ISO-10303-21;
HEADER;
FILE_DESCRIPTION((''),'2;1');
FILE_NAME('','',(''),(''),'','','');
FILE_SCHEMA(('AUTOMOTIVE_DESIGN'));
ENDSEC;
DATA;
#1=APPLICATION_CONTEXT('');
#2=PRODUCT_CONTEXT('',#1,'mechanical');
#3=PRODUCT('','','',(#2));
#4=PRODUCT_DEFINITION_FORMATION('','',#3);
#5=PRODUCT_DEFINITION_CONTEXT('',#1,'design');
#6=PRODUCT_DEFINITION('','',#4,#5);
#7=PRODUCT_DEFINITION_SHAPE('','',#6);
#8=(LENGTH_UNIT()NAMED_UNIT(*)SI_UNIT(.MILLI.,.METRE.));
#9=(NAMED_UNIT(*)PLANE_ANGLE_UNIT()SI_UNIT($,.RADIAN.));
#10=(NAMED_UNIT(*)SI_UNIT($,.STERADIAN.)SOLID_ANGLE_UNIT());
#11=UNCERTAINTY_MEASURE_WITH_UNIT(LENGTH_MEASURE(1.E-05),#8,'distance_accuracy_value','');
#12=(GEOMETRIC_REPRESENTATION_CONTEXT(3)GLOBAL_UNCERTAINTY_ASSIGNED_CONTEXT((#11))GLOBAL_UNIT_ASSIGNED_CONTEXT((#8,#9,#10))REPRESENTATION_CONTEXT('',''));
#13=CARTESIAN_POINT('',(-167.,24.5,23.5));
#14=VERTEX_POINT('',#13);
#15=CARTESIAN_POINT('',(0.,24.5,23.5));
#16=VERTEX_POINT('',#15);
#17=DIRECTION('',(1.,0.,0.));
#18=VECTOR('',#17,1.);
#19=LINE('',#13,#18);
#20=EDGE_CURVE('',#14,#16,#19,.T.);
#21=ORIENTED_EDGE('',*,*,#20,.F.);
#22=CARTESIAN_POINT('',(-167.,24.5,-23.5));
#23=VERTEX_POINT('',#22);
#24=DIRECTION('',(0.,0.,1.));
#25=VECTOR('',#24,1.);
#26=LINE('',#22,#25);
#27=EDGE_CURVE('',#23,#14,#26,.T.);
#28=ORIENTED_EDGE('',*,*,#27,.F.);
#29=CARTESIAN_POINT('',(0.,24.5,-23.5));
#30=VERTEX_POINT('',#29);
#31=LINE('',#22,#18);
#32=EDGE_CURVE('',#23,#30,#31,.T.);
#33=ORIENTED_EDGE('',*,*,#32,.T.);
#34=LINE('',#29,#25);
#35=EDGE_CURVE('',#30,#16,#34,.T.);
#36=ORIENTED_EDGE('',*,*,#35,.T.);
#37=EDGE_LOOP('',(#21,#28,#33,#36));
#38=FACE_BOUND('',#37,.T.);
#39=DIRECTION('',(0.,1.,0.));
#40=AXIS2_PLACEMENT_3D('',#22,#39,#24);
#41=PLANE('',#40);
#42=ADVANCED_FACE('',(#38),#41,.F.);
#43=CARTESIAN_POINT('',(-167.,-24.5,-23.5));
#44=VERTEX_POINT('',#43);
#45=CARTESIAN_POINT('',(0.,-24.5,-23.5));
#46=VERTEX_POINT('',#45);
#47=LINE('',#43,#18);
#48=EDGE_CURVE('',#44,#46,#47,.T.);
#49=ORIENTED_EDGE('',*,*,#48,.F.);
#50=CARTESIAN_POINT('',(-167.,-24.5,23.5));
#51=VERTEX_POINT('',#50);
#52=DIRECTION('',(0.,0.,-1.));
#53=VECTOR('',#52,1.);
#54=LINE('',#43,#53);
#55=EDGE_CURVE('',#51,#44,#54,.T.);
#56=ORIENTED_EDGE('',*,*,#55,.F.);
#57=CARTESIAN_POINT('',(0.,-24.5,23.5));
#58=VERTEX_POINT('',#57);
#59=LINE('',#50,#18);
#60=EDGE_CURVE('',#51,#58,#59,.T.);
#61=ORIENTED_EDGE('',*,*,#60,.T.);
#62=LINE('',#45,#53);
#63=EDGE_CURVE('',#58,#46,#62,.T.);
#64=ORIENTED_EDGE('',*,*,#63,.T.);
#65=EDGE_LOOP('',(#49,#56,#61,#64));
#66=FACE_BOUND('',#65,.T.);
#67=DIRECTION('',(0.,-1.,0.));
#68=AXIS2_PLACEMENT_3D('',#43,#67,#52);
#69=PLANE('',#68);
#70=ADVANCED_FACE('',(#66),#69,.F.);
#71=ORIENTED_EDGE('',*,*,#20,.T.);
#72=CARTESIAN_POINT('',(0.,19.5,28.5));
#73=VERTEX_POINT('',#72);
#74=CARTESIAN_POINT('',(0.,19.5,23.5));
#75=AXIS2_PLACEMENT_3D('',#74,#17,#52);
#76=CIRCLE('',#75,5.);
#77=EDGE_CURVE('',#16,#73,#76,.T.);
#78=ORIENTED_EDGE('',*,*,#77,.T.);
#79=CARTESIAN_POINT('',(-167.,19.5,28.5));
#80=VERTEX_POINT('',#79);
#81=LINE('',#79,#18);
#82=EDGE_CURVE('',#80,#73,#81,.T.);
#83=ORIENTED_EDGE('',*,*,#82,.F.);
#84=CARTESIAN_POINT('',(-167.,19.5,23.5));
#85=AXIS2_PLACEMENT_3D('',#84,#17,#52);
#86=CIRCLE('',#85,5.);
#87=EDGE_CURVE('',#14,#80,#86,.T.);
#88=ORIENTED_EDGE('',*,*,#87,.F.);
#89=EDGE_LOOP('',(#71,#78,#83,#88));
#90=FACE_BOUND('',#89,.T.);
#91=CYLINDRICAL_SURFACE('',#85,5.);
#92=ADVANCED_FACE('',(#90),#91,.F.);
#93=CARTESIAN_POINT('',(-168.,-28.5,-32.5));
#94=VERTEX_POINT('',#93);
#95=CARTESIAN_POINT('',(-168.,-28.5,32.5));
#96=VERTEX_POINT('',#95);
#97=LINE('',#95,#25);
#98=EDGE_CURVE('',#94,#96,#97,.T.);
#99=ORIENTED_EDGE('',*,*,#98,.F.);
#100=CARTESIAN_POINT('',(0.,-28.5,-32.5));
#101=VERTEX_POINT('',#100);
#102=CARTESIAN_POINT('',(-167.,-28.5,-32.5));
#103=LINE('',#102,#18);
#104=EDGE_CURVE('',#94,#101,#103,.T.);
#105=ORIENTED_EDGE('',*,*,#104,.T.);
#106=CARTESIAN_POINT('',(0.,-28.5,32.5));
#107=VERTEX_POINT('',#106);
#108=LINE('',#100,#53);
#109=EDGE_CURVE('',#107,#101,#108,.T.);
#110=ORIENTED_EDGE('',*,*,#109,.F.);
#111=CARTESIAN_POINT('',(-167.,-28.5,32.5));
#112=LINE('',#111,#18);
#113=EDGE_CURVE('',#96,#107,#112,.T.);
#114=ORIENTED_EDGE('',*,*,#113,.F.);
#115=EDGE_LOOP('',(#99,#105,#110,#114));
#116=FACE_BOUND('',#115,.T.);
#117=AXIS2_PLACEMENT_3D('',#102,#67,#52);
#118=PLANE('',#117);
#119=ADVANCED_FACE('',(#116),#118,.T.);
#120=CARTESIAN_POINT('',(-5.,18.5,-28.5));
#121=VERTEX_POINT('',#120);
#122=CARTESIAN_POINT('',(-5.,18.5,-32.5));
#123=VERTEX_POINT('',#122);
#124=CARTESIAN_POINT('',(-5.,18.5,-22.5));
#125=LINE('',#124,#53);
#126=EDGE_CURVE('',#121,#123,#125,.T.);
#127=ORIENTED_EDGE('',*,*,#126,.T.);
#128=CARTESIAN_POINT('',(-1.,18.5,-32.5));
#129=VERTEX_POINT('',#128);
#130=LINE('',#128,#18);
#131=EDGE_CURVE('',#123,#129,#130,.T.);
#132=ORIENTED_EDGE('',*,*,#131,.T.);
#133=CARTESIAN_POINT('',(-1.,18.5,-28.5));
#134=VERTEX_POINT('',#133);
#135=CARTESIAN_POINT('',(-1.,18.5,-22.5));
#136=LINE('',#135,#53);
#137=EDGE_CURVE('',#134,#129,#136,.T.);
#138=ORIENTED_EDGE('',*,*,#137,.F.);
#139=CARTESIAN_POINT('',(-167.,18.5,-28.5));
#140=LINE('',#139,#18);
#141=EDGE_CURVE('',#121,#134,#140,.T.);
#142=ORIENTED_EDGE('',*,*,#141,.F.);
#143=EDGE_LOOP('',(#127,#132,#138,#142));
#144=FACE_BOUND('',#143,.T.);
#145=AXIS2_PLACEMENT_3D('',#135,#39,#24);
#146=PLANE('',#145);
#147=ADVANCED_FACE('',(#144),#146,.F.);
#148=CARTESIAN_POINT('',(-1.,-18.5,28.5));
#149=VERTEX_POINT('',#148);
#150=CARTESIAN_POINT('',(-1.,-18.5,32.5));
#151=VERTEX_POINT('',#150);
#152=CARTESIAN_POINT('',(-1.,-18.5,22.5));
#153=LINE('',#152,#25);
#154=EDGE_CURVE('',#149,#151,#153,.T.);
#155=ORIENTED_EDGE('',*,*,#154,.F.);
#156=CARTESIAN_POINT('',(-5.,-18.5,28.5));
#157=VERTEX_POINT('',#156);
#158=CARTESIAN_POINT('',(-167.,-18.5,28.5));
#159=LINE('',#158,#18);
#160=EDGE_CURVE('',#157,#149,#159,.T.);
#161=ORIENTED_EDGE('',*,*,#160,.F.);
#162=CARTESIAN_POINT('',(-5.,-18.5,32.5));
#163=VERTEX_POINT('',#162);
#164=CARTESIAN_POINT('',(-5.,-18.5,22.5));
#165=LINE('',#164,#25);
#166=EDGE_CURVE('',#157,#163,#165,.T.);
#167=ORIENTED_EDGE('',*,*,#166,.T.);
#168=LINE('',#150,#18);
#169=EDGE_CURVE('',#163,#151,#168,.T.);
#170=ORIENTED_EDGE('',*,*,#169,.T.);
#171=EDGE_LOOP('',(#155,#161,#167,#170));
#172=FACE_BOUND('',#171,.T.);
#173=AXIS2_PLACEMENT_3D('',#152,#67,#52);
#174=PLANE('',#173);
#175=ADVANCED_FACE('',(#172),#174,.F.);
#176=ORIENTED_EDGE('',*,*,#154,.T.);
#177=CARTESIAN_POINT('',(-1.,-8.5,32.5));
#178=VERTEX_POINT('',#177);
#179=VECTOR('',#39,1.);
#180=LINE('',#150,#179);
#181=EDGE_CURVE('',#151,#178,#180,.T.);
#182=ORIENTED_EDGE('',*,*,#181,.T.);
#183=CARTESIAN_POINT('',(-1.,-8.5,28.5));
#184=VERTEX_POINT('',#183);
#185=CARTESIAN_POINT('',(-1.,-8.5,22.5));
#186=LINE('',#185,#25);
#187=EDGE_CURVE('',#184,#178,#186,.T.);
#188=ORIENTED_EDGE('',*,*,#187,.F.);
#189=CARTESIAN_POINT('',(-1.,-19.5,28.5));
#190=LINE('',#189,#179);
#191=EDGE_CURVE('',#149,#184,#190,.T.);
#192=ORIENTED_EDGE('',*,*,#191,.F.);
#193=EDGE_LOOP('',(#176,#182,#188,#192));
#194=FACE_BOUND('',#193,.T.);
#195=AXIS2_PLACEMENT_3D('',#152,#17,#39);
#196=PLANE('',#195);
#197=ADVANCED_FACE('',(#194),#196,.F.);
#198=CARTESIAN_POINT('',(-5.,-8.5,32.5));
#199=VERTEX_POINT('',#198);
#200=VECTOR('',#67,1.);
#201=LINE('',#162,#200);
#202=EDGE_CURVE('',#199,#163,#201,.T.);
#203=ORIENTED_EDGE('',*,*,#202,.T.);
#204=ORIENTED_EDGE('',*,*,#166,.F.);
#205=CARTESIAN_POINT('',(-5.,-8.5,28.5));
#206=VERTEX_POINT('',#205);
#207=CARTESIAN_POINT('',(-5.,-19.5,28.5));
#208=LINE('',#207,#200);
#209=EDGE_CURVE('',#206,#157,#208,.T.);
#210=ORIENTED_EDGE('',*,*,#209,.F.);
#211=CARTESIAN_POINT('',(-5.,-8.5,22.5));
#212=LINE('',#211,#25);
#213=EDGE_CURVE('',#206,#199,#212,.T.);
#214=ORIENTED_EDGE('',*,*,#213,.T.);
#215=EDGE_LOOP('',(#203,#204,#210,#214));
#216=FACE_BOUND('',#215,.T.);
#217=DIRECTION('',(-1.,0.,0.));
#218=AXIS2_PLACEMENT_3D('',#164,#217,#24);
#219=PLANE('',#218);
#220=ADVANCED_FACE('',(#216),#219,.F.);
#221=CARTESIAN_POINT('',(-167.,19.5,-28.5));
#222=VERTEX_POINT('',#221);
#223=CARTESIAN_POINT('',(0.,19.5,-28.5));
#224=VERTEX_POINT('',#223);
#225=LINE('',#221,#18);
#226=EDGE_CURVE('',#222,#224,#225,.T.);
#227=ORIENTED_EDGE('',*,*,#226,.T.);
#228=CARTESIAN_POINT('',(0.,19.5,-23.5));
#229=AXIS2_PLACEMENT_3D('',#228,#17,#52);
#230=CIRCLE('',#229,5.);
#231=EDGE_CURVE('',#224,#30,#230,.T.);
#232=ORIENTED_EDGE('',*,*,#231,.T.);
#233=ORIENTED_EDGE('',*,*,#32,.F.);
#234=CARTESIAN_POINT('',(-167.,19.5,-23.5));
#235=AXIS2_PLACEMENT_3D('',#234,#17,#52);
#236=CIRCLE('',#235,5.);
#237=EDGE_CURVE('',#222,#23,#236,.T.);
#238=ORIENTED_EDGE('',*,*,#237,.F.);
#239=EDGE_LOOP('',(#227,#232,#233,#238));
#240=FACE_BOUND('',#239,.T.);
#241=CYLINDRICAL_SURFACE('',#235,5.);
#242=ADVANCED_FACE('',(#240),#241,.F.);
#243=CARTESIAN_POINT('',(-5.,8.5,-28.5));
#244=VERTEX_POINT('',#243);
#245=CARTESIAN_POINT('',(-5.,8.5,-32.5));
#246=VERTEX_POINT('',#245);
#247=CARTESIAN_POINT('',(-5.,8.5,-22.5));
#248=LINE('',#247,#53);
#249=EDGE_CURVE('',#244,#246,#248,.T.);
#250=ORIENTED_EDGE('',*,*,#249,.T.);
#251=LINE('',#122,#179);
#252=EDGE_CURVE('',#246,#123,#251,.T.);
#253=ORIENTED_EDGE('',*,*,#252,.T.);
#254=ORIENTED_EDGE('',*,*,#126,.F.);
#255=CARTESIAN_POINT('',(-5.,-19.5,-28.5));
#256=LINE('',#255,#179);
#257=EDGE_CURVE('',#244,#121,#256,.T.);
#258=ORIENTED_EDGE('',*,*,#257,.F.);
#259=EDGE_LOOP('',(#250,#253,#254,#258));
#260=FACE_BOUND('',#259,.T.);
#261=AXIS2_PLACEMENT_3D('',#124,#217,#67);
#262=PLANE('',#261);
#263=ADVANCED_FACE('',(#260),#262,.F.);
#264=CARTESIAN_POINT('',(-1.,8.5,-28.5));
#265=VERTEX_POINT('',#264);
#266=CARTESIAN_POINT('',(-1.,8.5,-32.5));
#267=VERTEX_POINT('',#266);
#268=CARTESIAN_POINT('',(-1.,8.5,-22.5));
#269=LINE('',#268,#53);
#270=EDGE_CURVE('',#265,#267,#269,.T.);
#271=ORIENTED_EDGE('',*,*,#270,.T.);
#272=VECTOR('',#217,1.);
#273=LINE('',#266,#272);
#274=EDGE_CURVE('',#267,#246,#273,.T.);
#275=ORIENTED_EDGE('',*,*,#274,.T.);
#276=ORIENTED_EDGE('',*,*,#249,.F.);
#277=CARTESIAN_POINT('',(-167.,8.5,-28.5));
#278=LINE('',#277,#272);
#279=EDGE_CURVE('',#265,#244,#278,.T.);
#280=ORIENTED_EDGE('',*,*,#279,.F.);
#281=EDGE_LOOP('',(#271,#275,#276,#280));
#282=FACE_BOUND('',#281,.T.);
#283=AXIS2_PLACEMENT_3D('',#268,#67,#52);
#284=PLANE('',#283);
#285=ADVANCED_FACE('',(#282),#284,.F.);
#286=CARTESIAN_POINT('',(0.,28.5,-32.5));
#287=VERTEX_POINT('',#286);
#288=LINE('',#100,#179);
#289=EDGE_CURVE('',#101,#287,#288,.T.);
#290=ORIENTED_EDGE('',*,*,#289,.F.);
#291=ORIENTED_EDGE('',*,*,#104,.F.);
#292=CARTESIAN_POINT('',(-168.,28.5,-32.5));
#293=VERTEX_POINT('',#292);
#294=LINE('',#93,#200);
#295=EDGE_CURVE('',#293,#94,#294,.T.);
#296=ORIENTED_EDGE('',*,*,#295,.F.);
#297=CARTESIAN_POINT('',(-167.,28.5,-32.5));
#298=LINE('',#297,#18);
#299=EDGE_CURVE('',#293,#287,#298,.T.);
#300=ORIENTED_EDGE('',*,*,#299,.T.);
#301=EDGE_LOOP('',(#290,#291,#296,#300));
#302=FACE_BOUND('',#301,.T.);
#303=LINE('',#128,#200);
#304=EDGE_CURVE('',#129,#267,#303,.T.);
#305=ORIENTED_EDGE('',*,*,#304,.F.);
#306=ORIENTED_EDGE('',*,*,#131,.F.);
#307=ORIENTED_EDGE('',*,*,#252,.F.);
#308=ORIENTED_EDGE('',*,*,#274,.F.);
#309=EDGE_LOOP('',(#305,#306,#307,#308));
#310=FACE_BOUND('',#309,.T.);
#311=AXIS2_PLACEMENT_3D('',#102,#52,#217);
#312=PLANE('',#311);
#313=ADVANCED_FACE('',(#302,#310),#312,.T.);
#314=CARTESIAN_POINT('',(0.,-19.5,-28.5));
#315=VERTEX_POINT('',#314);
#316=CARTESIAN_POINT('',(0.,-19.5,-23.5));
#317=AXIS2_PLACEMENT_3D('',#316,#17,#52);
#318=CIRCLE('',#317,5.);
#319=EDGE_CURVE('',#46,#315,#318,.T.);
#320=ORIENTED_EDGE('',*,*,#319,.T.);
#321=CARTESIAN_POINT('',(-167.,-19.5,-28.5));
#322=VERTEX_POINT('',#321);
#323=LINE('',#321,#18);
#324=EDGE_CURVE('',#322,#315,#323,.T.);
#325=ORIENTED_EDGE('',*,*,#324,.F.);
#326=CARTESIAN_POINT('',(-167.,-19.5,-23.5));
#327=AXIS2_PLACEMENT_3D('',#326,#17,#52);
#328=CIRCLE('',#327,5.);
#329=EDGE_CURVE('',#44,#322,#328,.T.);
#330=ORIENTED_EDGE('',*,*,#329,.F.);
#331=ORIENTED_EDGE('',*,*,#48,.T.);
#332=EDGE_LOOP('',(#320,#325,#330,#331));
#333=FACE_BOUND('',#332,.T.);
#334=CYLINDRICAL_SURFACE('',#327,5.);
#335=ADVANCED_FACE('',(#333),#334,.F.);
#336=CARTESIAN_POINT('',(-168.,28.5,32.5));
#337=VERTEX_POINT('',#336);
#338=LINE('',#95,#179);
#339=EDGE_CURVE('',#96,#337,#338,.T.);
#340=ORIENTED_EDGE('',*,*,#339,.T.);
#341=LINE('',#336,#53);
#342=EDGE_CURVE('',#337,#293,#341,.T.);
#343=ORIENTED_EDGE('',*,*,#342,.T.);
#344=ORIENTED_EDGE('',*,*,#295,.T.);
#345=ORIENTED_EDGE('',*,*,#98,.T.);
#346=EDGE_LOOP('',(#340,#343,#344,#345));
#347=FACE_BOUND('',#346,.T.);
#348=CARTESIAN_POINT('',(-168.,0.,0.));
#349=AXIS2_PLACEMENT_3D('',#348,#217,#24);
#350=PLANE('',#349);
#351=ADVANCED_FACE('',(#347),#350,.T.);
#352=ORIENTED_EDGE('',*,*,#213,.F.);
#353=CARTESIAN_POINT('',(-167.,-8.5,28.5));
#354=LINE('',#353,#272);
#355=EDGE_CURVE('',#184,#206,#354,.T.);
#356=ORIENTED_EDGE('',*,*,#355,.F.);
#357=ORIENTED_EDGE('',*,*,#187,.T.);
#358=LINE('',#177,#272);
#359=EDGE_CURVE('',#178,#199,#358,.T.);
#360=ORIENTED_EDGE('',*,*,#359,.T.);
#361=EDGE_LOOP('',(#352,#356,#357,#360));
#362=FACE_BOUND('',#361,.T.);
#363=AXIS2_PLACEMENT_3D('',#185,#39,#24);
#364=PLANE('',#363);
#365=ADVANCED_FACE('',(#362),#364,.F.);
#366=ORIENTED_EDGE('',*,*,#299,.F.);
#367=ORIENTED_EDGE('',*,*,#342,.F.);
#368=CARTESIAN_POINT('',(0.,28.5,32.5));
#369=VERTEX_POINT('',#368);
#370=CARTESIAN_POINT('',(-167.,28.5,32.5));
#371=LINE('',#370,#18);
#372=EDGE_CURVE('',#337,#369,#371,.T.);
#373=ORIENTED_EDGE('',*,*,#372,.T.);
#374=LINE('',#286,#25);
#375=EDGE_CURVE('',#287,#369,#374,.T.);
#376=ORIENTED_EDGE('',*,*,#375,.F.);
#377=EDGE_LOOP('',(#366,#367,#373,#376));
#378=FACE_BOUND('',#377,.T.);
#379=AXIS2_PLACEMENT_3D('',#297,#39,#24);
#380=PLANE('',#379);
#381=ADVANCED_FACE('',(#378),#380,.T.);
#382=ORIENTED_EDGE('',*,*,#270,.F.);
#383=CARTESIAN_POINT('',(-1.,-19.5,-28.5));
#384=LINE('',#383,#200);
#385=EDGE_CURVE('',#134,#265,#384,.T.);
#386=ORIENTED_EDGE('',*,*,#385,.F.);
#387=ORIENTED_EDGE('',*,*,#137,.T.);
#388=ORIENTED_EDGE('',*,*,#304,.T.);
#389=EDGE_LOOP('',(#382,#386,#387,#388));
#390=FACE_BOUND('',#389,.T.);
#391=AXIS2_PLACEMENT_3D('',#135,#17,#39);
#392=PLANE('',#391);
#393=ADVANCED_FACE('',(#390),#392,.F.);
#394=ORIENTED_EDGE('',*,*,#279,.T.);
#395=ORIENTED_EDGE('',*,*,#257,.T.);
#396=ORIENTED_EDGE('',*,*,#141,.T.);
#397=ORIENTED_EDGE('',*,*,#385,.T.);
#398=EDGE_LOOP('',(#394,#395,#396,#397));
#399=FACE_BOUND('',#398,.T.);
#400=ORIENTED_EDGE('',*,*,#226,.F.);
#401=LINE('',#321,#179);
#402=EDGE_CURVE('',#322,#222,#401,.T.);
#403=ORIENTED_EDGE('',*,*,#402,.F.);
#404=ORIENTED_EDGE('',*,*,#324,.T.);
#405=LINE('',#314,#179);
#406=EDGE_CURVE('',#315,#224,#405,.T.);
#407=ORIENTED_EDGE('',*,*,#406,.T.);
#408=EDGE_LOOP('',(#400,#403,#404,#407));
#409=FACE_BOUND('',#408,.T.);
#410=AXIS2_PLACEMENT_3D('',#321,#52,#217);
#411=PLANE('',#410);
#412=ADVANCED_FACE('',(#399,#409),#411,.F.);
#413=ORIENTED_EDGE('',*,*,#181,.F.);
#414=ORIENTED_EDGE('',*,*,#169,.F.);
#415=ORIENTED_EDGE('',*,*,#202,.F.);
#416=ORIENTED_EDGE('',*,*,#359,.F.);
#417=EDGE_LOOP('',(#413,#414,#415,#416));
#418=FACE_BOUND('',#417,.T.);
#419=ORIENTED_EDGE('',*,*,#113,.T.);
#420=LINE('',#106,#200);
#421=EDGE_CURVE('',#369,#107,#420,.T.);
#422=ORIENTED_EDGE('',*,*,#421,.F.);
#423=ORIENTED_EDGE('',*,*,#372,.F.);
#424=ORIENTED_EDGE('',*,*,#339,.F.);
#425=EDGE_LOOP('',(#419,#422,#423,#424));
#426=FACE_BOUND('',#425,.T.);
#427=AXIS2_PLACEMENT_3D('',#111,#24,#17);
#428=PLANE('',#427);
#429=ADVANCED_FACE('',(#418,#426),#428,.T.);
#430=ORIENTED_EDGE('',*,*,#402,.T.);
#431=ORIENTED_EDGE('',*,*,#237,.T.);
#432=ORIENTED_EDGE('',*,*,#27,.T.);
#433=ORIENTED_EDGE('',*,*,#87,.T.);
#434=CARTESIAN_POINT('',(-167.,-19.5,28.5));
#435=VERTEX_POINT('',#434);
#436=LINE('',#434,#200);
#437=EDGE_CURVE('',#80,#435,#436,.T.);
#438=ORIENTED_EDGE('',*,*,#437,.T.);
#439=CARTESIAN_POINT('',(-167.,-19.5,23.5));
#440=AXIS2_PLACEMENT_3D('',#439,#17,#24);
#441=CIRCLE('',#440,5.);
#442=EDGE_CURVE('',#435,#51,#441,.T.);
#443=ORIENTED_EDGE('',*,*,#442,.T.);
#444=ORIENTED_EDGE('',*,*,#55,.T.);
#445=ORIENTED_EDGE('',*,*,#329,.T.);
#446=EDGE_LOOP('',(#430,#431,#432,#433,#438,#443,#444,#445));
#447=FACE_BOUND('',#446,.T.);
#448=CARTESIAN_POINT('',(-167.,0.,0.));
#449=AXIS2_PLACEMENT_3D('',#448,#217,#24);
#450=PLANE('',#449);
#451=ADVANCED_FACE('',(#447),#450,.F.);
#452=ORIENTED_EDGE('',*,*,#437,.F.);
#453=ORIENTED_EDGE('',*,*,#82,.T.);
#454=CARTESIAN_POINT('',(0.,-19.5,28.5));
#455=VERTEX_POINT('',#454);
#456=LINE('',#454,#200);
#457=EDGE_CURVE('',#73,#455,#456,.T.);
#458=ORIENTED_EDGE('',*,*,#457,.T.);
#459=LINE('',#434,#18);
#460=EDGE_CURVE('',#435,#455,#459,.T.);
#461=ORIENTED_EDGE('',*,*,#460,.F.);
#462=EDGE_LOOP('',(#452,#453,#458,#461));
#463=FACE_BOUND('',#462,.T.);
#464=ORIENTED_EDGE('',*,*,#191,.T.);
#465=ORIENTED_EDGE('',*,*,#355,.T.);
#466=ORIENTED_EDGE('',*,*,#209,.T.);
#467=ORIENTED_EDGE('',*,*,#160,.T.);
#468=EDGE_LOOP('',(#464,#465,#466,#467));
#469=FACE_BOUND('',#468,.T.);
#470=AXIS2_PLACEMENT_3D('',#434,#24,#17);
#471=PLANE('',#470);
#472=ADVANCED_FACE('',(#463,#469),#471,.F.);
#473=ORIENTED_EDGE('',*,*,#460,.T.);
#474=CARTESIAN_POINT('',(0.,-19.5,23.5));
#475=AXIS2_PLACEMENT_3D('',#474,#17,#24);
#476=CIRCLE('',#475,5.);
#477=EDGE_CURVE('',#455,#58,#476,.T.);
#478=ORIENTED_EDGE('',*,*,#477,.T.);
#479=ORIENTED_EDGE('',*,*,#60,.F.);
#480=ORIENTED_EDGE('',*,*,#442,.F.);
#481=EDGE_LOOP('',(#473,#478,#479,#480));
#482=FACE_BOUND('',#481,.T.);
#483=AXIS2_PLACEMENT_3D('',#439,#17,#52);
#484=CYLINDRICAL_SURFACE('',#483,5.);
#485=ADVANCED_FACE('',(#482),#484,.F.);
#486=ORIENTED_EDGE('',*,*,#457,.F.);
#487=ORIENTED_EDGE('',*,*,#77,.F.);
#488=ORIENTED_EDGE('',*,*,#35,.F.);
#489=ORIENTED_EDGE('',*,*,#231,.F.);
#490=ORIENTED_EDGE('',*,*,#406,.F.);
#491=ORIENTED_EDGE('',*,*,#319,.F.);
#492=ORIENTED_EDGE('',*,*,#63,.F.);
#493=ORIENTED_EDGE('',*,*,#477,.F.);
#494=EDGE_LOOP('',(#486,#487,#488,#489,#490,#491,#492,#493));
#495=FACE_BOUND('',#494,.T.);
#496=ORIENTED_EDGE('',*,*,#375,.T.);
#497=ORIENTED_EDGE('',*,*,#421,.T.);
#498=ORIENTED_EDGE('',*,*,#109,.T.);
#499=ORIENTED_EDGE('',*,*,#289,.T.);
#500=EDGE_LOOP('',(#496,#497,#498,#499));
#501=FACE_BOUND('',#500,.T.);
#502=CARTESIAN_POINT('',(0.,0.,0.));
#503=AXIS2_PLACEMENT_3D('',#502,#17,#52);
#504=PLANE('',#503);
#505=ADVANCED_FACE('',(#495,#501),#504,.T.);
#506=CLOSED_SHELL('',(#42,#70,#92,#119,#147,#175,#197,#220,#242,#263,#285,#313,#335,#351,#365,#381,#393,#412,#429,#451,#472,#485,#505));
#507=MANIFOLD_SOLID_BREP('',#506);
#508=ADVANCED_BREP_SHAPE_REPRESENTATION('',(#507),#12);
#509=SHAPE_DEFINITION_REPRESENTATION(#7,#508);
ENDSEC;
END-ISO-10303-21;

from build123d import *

# Parameters (mm, degrees)
SKETCH_1_W          = 65
SKETCH_1_H          = 57
EXTRUDE_1_DEPTH     = 167
SKETCH_2_W          = 4
SKETCH_2_H          = 10
CUT_EXTRUDE_1_DEPTH = 10
SKETCH_3_W          = 65
SKETCH_3_H          = 57
EXTRUDE_2_DEPTH     = 1
SKETCH_4_W          = 4
SKETCH_4_H          = 10
CUT_EXTRUDE_2_DEPTH = 10


with BuildPart() as part:
    # Эскиз1 → Бобышка-Вытянуть1 (new body)
    with BuildSketch(Plane(origin=(0, 0, 0), x_dir=(0, 0, -1), z_dir=(1, 0, 0))):
        Rectangle(SKETCH_1_W, SKETCH_1_H)
        with BuildLine():
            Line((23.5, -24.5), (-23.5, -24.5))
            ThreePointArc((-23.5, -24.5), (-27.035533906, -23.035533906), (-28.5, -19.5))
            Line((-28.5, -19.5), (-28.5, 19.5))
            ThreePointArc((-28.5, 19.5), (-27.035533906, 23.035533906), (-23.5, 24.5))
            Line((-23.5, 24.5), (23.5, 24.5))
            ThreePointArc((23.5, 24.5), (27.035533906, 23.035533906), (28.5, 19.5))
            Line((28.5, 19.5), (28.5, -19.5))
            ThreePointArc((28.5, -19.5), (27.035533906, -23.035533906), (23.5, -24.5))
        make_face(mode=Mode.SUBTRACT)
    extrude(amount=-EXTRUDE_1_DEPTH)

    # Эскиз2 → Вырез-Вытянуть1 (cut)
    with BuildSketch(Plane.XY.offset(32.5)):
        with Locations((-3, -13.5)):
            Rectangle(SKETCH_2_W, SKETCH_2_H)
    extrude(amount=-CUT_EXTRUDE_1_DEPTH, mode=Mode.SUBTRACT)

    # Эскиз3 → Бобышка-Вытянуть2 (add)
    with BuildSketch(Plane.ZY.offset(167)):
        Rectangle(SKETCH_3_W, SKETCH_3_H)
    extrude(amount=EXTRUDE_2_DEPTH)

    # Эскиз4 → Вырез-Вытянуть2 (cut)
    with BuildSketch(Plane(origin=(0, 0, -32.5), x_dir=(-1, 0, 0), z_dir=(0, 0, -1))):
        with Locations((3, 13.5)):
            Rectangle(SKETCH_4_W, SKETCH_4_H)
    extrude(amount=-CUT_EXTRUDE_2_DEPTH, mode=Mode.SUBTRACT)


solid = part.part
